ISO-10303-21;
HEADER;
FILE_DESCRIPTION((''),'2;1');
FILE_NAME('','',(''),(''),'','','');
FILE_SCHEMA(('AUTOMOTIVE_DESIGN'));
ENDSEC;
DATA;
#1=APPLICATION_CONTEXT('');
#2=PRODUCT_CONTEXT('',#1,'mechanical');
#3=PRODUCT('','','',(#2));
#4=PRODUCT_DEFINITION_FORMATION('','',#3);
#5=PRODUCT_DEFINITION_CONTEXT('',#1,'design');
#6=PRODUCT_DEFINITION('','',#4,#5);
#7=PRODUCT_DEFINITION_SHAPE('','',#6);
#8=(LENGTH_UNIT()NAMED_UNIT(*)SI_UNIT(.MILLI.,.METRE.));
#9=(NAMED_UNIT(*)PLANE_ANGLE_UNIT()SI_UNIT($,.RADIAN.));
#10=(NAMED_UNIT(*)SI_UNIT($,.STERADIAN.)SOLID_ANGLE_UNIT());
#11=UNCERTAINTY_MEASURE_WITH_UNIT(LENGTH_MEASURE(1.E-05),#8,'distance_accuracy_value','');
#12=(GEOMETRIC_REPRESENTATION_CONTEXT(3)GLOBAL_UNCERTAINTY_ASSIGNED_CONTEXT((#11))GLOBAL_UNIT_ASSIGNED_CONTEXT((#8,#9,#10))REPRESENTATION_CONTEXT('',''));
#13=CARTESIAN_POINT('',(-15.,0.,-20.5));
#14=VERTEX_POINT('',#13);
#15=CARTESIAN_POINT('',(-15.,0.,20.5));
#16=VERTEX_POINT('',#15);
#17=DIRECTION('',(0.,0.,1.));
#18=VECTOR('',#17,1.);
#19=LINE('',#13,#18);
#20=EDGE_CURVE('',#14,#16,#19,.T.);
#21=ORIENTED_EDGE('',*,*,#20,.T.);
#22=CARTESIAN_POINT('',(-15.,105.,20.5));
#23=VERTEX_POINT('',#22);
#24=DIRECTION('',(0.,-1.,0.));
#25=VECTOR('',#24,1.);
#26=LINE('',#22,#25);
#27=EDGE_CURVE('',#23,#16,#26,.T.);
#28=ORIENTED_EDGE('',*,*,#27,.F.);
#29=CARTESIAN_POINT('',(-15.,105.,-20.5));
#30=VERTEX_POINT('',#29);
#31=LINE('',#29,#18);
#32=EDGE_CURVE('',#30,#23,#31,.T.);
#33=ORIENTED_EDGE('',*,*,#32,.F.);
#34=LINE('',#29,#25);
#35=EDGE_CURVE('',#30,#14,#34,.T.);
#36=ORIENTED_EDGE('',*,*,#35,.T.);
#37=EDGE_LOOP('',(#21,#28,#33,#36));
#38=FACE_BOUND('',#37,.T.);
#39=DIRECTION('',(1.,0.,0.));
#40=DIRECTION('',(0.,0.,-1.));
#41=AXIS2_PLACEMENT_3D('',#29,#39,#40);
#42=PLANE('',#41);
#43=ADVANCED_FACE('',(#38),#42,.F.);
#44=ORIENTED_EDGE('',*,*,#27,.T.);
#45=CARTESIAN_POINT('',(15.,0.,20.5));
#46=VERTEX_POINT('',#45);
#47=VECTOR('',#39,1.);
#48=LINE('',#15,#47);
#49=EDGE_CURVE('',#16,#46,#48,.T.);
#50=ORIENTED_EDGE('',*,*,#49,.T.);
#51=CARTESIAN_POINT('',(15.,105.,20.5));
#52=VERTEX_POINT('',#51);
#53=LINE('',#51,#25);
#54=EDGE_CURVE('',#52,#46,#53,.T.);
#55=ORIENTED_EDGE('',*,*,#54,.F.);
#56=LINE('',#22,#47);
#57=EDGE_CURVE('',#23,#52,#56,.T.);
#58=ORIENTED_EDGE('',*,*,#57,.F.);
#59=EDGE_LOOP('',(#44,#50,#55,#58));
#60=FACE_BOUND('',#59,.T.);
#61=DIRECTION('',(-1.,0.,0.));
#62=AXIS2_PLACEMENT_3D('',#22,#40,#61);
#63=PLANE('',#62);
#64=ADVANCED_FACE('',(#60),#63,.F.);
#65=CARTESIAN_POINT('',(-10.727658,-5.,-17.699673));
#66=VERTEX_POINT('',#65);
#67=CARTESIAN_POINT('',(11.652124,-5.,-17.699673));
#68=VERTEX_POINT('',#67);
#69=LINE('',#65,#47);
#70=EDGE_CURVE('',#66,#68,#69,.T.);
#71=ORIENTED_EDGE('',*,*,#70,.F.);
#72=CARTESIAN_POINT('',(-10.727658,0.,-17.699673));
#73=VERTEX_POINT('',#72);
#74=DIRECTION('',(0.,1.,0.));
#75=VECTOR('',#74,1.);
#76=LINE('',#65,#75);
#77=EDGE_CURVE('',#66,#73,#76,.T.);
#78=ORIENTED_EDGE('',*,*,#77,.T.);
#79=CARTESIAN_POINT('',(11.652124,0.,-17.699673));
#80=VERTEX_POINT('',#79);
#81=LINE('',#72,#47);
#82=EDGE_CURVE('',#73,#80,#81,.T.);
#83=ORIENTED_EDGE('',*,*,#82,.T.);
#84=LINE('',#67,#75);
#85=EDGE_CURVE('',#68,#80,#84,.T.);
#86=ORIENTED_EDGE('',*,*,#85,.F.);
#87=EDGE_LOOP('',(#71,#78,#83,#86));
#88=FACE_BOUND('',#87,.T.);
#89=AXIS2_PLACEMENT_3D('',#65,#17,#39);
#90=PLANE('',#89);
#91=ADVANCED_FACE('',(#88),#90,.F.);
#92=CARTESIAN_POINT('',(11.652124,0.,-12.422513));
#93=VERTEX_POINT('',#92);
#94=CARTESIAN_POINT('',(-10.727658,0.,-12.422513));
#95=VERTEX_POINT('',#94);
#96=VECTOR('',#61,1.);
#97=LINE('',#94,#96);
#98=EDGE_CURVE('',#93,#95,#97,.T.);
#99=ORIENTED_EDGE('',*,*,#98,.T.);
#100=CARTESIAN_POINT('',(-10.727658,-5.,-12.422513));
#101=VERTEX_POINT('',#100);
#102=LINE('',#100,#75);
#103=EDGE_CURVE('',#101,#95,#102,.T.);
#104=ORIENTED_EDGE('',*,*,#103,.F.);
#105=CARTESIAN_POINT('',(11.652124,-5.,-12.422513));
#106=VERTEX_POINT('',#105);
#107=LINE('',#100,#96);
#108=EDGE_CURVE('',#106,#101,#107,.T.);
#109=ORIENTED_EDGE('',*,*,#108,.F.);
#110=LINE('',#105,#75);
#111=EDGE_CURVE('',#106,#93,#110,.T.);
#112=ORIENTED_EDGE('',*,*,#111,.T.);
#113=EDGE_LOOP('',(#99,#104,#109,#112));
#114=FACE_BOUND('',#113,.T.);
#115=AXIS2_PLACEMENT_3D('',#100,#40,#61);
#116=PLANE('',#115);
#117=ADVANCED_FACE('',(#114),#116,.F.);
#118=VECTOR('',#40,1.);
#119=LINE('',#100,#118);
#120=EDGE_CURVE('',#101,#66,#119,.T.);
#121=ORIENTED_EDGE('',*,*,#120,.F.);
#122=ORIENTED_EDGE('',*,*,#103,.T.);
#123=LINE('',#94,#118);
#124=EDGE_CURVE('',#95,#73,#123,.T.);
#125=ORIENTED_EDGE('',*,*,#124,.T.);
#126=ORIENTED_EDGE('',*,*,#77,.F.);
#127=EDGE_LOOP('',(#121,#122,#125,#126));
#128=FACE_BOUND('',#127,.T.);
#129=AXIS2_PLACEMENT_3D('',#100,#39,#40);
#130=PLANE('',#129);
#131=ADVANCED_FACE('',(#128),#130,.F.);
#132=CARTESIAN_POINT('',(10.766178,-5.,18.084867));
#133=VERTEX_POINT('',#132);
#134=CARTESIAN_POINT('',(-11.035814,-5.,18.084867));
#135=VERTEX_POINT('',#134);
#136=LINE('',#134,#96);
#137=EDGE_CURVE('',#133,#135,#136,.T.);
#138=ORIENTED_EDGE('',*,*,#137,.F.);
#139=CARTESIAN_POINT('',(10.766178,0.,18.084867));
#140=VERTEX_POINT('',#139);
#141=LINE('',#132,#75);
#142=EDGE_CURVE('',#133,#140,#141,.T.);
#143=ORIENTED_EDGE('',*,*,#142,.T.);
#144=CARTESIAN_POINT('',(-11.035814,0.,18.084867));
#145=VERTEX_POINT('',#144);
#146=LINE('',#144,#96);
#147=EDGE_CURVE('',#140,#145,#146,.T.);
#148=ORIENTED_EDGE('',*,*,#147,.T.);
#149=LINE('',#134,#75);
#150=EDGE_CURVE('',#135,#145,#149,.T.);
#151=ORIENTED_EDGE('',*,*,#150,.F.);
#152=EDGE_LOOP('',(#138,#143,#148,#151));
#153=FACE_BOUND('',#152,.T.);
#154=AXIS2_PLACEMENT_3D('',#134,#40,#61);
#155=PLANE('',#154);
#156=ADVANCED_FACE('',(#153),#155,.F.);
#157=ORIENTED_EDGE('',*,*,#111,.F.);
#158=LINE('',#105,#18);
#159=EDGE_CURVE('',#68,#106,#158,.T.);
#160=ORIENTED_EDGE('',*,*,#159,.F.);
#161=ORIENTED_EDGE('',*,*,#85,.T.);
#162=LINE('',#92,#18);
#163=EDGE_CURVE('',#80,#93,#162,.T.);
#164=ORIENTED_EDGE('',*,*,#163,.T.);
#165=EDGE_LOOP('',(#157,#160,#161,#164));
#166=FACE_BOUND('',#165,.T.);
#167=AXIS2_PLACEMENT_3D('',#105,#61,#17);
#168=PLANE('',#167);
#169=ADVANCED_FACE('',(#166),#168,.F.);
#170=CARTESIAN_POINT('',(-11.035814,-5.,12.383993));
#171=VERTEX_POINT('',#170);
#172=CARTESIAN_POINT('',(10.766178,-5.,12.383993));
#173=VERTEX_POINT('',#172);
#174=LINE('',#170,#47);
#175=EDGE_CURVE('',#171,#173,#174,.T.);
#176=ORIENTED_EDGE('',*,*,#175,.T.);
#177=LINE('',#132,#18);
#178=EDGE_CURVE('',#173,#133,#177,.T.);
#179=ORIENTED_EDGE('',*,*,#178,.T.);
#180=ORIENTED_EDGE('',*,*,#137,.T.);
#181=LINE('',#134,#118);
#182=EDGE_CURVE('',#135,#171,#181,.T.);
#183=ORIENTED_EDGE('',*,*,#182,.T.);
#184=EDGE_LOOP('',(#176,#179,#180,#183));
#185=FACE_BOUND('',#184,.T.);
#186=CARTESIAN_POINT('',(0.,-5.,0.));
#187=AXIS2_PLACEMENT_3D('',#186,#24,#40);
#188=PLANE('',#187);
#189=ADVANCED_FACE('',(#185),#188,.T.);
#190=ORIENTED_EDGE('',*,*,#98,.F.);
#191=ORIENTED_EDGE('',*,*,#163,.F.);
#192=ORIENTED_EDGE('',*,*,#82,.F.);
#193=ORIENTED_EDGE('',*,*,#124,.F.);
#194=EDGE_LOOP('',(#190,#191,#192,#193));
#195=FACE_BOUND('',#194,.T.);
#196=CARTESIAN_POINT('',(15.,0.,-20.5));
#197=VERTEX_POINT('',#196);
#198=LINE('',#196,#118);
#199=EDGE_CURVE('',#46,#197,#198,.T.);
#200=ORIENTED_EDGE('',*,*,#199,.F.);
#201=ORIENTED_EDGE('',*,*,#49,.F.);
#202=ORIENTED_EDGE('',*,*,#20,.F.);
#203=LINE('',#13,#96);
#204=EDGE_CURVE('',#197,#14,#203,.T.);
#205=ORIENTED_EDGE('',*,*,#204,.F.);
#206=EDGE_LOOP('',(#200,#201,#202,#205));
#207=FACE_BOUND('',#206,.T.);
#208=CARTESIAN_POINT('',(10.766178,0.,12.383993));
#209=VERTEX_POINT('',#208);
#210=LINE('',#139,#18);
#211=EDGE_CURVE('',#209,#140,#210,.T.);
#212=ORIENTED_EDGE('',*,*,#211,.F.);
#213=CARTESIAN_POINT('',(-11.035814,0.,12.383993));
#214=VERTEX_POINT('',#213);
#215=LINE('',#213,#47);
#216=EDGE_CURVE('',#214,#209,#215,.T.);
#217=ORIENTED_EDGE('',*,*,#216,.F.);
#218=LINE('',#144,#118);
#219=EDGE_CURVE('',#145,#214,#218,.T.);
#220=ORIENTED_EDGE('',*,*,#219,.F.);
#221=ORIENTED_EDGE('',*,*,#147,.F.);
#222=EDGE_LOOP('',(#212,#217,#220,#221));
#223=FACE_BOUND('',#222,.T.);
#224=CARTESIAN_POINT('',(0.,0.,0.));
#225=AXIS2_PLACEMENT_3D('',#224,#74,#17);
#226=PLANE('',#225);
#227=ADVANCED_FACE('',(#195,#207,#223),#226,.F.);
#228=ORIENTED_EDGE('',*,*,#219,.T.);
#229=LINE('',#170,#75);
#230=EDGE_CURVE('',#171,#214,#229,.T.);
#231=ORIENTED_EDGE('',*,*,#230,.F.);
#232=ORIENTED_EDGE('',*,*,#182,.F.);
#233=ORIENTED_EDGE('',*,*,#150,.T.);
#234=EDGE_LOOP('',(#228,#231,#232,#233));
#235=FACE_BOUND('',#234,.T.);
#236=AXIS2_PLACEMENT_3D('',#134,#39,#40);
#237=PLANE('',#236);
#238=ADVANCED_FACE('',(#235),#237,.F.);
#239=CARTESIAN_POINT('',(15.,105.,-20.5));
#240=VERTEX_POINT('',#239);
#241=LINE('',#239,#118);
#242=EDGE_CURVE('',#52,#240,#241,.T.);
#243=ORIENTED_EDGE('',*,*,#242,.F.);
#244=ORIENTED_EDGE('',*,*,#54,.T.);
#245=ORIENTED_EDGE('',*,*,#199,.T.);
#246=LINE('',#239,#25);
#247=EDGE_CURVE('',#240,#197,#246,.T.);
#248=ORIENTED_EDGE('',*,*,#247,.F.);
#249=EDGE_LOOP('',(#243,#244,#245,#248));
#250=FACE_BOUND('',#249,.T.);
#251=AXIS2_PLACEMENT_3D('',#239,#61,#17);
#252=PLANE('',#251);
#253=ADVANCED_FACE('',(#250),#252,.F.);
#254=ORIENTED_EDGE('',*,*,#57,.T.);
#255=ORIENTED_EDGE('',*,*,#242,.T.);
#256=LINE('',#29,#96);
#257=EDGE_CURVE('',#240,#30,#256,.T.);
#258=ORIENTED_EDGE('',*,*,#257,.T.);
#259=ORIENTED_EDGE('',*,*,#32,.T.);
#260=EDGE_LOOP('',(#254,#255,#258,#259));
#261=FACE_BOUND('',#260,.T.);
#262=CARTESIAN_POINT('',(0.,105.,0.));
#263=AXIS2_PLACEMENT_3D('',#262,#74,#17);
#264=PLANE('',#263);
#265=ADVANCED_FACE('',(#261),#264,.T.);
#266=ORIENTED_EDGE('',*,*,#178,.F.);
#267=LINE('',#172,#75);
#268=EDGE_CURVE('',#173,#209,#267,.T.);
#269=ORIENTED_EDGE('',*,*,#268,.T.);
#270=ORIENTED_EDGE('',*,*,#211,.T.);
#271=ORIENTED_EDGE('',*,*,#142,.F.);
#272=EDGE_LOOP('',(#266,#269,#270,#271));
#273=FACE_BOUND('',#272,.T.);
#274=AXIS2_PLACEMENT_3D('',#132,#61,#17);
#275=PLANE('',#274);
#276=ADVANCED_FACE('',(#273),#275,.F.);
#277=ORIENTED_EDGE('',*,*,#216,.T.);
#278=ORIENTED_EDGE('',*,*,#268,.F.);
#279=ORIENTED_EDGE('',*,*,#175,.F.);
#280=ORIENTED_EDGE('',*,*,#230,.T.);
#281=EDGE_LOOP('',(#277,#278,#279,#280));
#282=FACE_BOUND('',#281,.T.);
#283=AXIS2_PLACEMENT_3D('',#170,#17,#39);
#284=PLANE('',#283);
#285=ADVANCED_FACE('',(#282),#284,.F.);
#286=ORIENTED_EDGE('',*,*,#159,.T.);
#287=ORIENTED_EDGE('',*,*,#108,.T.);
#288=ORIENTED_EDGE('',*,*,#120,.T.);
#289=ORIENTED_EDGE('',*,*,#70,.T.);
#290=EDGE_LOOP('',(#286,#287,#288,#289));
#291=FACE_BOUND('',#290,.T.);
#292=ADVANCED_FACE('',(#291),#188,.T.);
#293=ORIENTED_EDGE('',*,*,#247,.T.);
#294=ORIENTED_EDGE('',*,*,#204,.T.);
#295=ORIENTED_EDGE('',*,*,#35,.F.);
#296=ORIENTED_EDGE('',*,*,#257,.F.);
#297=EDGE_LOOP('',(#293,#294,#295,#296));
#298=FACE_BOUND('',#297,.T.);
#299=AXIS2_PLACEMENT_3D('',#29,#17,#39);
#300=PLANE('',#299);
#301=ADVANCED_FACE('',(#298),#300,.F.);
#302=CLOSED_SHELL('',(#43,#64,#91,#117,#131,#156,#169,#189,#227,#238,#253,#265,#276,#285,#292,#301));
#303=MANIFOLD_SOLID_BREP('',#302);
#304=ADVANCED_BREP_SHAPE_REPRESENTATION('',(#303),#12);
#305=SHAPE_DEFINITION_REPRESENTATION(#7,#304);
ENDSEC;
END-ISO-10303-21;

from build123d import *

# Parameters (mm, degrees)
SKETCH1_W           = 30
SKETCH1_H           = 41
BOSS_EXTRUDE1_DEPTH = 105
SKETCH2_W           = 21.801991159
SKETCH2_H           = 5.700874013
SKETCH2_W_2         = 22.379782444
SKETCH2_H_2         = 5.277160404
BOSS_EXTRUDE2_DEPTH = 5


with BuildPart() as part:
    # Sketch1 → Boss-Extrude1 (new body)
    with BuildSketch(Plane(origin=(0, 0, 0), x_dir=(1, 0, 0), z_dir=(0, 1, 0))):
        Rectangle(SKETCH1_W, SKETCH1_H)
    extrude(amount=BOSS_EXTRUDE1_DEPTH)

    # Sketch2 → Boss-Extrude2 (add)
    with BuildSketch(Plane.XZ):
        with Locations((-0.134817966, 15.234430217)):
            Rectangle(SKETCH2_W, SKETCH2_H)
        with Locations((0.462233028, -15.061092832)):
            Rectangle(SKETCH2_W_2, SKETCH2_H_2)
    extrude(amount=BOSS_EXTRUDE2_DEPTH)


solid = part.part
